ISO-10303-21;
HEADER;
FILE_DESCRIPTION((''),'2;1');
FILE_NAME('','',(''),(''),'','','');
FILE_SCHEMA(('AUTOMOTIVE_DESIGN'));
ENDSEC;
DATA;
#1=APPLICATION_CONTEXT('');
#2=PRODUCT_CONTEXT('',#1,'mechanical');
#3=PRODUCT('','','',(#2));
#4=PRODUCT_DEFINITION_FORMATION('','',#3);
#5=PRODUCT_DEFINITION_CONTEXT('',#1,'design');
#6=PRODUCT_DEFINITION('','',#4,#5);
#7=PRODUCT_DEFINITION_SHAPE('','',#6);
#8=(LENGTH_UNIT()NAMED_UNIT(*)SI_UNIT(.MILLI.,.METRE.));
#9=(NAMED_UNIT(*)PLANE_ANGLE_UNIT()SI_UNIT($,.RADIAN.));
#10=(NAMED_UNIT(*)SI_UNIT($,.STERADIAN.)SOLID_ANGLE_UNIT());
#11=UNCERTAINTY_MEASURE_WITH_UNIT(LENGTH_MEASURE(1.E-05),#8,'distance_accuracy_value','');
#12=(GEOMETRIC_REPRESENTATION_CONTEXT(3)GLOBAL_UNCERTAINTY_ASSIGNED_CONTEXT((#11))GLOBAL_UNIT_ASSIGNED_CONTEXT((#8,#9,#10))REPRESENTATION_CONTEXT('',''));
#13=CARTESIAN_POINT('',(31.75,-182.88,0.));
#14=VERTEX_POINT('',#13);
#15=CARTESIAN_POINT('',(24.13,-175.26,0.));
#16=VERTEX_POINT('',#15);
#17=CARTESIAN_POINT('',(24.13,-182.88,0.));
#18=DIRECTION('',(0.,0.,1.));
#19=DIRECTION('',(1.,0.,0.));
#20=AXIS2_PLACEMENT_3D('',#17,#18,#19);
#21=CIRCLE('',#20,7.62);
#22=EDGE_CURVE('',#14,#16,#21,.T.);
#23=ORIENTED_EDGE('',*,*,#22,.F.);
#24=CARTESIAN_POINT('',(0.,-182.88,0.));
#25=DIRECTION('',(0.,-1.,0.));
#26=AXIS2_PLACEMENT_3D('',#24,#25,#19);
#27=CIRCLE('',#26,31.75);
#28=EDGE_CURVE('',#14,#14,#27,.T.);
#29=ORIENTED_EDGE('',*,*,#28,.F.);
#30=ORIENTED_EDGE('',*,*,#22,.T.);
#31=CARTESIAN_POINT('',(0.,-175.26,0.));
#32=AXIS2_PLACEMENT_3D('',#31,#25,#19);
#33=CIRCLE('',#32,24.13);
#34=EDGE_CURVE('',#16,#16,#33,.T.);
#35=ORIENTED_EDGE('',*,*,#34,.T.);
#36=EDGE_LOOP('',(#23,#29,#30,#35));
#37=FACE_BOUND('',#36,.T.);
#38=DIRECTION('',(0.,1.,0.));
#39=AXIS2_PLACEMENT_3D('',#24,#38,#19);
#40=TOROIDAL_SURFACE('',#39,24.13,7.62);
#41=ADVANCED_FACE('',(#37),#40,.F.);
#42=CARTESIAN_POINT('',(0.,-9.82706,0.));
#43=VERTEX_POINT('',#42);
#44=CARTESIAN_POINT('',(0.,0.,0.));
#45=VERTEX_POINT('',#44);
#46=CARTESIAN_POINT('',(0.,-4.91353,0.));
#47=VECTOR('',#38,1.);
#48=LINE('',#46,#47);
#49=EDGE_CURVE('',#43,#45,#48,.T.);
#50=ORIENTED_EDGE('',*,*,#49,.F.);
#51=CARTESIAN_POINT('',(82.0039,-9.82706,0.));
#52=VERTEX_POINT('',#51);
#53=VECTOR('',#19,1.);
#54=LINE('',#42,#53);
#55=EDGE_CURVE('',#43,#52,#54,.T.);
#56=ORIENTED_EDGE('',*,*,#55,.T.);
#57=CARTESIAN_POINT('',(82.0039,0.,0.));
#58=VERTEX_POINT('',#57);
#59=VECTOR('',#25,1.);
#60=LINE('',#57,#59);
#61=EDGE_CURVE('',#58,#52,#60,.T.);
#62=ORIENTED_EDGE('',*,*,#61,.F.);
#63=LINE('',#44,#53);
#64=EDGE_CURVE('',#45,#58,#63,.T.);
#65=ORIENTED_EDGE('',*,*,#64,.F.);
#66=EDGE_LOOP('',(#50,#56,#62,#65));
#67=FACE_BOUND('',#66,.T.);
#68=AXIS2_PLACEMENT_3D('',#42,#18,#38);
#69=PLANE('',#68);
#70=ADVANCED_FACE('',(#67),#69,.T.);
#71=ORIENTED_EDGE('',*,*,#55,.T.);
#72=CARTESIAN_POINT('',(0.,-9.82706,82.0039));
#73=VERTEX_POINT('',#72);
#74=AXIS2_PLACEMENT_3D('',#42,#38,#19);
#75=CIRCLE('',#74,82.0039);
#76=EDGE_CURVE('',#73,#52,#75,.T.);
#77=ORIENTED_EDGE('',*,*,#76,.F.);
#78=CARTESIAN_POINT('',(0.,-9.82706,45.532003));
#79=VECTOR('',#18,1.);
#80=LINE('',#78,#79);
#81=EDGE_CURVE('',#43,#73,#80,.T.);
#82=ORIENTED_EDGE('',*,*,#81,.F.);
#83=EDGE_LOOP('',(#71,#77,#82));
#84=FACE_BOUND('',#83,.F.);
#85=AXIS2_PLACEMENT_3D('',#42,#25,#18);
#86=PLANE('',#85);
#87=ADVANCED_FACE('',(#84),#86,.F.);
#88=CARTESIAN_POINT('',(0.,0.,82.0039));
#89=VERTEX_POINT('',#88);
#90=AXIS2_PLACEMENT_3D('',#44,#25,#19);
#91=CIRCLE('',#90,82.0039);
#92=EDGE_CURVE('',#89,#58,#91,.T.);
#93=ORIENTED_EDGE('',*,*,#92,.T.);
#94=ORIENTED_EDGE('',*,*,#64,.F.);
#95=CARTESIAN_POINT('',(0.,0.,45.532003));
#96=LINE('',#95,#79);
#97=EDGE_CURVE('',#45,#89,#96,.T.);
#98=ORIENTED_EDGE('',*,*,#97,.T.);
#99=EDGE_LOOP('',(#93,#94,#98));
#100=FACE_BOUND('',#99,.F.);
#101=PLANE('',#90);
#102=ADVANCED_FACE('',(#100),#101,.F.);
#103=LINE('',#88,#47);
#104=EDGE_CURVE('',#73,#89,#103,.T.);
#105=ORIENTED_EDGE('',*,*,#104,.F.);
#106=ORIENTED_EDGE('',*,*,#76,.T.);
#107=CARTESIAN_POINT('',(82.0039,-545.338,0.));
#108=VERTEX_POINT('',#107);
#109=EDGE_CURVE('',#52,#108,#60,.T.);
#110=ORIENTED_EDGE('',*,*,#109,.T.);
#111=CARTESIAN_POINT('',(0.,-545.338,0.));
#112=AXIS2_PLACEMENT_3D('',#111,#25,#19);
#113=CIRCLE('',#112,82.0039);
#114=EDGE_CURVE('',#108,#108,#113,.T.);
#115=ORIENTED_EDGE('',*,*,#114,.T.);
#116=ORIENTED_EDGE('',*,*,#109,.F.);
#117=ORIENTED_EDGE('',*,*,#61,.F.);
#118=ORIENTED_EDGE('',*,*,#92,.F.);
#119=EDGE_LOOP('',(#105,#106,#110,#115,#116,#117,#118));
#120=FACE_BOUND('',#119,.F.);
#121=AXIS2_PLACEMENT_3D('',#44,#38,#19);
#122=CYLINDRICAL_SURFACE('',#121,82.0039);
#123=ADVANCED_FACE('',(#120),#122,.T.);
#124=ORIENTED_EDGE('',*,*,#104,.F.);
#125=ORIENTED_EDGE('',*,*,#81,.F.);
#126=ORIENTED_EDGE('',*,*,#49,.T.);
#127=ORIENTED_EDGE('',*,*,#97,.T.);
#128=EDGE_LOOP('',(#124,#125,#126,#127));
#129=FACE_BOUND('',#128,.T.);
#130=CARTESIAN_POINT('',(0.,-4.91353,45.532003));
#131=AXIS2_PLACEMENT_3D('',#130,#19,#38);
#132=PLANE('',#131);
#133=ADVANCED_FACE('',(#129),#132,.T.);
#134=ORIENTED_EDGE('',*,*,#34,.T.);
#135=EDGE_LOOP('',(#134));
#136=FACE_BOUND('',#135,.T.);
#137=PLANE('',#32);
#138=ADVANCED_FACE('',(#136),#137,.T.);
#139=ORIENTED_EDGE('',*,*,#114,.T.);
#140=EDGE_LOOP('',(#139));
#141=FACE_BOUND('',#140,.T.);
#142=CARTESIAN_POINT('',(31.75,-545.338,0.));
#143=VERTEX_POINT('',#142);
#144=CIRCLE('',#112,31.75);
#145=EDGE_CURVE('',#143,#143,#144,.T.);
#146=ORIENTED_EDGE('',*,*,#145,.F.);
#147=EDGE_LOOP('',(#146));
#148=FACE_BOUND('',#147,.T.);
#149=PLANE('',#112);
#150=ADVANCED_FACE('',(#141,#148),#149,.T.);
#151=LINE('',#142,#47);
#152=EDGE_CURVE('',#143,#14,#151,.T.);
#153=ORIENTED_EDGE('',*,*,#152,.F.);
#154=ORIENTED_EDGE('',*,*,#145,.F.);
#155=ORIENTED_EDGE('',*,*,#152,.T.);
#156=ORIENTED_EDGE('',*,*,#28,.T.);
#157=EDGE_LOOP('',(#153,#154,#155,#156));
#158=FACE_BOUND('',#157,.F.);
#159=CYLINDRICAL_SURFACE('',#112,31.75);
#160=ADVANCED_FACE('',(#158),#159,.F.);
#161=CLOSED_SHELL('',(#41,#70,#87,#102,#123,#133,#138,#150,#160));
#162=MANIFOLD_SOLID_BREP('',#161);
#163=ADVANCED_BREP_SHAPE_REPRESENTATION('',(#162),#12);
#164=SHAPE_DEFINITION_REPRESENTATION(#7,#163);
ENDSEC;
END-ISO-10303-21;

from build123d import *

# Parameters (mm, degrees)
F0_R     = 82.0039
F1_DEPTH = 545.338
F2_R     = 31.75
F3_DEPTH = 370.078
F4_R     = 7.62
F5_W     = 9.82706
F5_H     = 91.064006
F6_DEPTH = 117


with BuildPart() as f1:
    # F0 (on Front) → F1 (new body)
    with BuildSketch(Plane.XZ):
        Circle(F0_R)
    extrude(amount=F1_DEPTH)

    # F2 (on face) → F3 (cut)
    with BuildSketch(Plane.XZ.offset(545.338)):
        Circle(F2_R)
    extrude(amount=-F3_DEPTH, mode=Mode.SUBTRACT)

    # F4
    f4_edges = [f1.edges().sort_by_distance(p)[0] for p in [
        (-31.75, -175.26, 0),
    ]]
    fillet(f4_edges, radius=F4_R)

    # F5 (on Right) → F6 (cut)
    with BuildSketch(Plane.YZ):
        with Locations((-4.91353, 45.532003)):
            Rectangle(F5_W, F5_H)
    extrude(amount=F6_DEPTH, mode=Mode.SUBTRACT)


solid = f1.part
